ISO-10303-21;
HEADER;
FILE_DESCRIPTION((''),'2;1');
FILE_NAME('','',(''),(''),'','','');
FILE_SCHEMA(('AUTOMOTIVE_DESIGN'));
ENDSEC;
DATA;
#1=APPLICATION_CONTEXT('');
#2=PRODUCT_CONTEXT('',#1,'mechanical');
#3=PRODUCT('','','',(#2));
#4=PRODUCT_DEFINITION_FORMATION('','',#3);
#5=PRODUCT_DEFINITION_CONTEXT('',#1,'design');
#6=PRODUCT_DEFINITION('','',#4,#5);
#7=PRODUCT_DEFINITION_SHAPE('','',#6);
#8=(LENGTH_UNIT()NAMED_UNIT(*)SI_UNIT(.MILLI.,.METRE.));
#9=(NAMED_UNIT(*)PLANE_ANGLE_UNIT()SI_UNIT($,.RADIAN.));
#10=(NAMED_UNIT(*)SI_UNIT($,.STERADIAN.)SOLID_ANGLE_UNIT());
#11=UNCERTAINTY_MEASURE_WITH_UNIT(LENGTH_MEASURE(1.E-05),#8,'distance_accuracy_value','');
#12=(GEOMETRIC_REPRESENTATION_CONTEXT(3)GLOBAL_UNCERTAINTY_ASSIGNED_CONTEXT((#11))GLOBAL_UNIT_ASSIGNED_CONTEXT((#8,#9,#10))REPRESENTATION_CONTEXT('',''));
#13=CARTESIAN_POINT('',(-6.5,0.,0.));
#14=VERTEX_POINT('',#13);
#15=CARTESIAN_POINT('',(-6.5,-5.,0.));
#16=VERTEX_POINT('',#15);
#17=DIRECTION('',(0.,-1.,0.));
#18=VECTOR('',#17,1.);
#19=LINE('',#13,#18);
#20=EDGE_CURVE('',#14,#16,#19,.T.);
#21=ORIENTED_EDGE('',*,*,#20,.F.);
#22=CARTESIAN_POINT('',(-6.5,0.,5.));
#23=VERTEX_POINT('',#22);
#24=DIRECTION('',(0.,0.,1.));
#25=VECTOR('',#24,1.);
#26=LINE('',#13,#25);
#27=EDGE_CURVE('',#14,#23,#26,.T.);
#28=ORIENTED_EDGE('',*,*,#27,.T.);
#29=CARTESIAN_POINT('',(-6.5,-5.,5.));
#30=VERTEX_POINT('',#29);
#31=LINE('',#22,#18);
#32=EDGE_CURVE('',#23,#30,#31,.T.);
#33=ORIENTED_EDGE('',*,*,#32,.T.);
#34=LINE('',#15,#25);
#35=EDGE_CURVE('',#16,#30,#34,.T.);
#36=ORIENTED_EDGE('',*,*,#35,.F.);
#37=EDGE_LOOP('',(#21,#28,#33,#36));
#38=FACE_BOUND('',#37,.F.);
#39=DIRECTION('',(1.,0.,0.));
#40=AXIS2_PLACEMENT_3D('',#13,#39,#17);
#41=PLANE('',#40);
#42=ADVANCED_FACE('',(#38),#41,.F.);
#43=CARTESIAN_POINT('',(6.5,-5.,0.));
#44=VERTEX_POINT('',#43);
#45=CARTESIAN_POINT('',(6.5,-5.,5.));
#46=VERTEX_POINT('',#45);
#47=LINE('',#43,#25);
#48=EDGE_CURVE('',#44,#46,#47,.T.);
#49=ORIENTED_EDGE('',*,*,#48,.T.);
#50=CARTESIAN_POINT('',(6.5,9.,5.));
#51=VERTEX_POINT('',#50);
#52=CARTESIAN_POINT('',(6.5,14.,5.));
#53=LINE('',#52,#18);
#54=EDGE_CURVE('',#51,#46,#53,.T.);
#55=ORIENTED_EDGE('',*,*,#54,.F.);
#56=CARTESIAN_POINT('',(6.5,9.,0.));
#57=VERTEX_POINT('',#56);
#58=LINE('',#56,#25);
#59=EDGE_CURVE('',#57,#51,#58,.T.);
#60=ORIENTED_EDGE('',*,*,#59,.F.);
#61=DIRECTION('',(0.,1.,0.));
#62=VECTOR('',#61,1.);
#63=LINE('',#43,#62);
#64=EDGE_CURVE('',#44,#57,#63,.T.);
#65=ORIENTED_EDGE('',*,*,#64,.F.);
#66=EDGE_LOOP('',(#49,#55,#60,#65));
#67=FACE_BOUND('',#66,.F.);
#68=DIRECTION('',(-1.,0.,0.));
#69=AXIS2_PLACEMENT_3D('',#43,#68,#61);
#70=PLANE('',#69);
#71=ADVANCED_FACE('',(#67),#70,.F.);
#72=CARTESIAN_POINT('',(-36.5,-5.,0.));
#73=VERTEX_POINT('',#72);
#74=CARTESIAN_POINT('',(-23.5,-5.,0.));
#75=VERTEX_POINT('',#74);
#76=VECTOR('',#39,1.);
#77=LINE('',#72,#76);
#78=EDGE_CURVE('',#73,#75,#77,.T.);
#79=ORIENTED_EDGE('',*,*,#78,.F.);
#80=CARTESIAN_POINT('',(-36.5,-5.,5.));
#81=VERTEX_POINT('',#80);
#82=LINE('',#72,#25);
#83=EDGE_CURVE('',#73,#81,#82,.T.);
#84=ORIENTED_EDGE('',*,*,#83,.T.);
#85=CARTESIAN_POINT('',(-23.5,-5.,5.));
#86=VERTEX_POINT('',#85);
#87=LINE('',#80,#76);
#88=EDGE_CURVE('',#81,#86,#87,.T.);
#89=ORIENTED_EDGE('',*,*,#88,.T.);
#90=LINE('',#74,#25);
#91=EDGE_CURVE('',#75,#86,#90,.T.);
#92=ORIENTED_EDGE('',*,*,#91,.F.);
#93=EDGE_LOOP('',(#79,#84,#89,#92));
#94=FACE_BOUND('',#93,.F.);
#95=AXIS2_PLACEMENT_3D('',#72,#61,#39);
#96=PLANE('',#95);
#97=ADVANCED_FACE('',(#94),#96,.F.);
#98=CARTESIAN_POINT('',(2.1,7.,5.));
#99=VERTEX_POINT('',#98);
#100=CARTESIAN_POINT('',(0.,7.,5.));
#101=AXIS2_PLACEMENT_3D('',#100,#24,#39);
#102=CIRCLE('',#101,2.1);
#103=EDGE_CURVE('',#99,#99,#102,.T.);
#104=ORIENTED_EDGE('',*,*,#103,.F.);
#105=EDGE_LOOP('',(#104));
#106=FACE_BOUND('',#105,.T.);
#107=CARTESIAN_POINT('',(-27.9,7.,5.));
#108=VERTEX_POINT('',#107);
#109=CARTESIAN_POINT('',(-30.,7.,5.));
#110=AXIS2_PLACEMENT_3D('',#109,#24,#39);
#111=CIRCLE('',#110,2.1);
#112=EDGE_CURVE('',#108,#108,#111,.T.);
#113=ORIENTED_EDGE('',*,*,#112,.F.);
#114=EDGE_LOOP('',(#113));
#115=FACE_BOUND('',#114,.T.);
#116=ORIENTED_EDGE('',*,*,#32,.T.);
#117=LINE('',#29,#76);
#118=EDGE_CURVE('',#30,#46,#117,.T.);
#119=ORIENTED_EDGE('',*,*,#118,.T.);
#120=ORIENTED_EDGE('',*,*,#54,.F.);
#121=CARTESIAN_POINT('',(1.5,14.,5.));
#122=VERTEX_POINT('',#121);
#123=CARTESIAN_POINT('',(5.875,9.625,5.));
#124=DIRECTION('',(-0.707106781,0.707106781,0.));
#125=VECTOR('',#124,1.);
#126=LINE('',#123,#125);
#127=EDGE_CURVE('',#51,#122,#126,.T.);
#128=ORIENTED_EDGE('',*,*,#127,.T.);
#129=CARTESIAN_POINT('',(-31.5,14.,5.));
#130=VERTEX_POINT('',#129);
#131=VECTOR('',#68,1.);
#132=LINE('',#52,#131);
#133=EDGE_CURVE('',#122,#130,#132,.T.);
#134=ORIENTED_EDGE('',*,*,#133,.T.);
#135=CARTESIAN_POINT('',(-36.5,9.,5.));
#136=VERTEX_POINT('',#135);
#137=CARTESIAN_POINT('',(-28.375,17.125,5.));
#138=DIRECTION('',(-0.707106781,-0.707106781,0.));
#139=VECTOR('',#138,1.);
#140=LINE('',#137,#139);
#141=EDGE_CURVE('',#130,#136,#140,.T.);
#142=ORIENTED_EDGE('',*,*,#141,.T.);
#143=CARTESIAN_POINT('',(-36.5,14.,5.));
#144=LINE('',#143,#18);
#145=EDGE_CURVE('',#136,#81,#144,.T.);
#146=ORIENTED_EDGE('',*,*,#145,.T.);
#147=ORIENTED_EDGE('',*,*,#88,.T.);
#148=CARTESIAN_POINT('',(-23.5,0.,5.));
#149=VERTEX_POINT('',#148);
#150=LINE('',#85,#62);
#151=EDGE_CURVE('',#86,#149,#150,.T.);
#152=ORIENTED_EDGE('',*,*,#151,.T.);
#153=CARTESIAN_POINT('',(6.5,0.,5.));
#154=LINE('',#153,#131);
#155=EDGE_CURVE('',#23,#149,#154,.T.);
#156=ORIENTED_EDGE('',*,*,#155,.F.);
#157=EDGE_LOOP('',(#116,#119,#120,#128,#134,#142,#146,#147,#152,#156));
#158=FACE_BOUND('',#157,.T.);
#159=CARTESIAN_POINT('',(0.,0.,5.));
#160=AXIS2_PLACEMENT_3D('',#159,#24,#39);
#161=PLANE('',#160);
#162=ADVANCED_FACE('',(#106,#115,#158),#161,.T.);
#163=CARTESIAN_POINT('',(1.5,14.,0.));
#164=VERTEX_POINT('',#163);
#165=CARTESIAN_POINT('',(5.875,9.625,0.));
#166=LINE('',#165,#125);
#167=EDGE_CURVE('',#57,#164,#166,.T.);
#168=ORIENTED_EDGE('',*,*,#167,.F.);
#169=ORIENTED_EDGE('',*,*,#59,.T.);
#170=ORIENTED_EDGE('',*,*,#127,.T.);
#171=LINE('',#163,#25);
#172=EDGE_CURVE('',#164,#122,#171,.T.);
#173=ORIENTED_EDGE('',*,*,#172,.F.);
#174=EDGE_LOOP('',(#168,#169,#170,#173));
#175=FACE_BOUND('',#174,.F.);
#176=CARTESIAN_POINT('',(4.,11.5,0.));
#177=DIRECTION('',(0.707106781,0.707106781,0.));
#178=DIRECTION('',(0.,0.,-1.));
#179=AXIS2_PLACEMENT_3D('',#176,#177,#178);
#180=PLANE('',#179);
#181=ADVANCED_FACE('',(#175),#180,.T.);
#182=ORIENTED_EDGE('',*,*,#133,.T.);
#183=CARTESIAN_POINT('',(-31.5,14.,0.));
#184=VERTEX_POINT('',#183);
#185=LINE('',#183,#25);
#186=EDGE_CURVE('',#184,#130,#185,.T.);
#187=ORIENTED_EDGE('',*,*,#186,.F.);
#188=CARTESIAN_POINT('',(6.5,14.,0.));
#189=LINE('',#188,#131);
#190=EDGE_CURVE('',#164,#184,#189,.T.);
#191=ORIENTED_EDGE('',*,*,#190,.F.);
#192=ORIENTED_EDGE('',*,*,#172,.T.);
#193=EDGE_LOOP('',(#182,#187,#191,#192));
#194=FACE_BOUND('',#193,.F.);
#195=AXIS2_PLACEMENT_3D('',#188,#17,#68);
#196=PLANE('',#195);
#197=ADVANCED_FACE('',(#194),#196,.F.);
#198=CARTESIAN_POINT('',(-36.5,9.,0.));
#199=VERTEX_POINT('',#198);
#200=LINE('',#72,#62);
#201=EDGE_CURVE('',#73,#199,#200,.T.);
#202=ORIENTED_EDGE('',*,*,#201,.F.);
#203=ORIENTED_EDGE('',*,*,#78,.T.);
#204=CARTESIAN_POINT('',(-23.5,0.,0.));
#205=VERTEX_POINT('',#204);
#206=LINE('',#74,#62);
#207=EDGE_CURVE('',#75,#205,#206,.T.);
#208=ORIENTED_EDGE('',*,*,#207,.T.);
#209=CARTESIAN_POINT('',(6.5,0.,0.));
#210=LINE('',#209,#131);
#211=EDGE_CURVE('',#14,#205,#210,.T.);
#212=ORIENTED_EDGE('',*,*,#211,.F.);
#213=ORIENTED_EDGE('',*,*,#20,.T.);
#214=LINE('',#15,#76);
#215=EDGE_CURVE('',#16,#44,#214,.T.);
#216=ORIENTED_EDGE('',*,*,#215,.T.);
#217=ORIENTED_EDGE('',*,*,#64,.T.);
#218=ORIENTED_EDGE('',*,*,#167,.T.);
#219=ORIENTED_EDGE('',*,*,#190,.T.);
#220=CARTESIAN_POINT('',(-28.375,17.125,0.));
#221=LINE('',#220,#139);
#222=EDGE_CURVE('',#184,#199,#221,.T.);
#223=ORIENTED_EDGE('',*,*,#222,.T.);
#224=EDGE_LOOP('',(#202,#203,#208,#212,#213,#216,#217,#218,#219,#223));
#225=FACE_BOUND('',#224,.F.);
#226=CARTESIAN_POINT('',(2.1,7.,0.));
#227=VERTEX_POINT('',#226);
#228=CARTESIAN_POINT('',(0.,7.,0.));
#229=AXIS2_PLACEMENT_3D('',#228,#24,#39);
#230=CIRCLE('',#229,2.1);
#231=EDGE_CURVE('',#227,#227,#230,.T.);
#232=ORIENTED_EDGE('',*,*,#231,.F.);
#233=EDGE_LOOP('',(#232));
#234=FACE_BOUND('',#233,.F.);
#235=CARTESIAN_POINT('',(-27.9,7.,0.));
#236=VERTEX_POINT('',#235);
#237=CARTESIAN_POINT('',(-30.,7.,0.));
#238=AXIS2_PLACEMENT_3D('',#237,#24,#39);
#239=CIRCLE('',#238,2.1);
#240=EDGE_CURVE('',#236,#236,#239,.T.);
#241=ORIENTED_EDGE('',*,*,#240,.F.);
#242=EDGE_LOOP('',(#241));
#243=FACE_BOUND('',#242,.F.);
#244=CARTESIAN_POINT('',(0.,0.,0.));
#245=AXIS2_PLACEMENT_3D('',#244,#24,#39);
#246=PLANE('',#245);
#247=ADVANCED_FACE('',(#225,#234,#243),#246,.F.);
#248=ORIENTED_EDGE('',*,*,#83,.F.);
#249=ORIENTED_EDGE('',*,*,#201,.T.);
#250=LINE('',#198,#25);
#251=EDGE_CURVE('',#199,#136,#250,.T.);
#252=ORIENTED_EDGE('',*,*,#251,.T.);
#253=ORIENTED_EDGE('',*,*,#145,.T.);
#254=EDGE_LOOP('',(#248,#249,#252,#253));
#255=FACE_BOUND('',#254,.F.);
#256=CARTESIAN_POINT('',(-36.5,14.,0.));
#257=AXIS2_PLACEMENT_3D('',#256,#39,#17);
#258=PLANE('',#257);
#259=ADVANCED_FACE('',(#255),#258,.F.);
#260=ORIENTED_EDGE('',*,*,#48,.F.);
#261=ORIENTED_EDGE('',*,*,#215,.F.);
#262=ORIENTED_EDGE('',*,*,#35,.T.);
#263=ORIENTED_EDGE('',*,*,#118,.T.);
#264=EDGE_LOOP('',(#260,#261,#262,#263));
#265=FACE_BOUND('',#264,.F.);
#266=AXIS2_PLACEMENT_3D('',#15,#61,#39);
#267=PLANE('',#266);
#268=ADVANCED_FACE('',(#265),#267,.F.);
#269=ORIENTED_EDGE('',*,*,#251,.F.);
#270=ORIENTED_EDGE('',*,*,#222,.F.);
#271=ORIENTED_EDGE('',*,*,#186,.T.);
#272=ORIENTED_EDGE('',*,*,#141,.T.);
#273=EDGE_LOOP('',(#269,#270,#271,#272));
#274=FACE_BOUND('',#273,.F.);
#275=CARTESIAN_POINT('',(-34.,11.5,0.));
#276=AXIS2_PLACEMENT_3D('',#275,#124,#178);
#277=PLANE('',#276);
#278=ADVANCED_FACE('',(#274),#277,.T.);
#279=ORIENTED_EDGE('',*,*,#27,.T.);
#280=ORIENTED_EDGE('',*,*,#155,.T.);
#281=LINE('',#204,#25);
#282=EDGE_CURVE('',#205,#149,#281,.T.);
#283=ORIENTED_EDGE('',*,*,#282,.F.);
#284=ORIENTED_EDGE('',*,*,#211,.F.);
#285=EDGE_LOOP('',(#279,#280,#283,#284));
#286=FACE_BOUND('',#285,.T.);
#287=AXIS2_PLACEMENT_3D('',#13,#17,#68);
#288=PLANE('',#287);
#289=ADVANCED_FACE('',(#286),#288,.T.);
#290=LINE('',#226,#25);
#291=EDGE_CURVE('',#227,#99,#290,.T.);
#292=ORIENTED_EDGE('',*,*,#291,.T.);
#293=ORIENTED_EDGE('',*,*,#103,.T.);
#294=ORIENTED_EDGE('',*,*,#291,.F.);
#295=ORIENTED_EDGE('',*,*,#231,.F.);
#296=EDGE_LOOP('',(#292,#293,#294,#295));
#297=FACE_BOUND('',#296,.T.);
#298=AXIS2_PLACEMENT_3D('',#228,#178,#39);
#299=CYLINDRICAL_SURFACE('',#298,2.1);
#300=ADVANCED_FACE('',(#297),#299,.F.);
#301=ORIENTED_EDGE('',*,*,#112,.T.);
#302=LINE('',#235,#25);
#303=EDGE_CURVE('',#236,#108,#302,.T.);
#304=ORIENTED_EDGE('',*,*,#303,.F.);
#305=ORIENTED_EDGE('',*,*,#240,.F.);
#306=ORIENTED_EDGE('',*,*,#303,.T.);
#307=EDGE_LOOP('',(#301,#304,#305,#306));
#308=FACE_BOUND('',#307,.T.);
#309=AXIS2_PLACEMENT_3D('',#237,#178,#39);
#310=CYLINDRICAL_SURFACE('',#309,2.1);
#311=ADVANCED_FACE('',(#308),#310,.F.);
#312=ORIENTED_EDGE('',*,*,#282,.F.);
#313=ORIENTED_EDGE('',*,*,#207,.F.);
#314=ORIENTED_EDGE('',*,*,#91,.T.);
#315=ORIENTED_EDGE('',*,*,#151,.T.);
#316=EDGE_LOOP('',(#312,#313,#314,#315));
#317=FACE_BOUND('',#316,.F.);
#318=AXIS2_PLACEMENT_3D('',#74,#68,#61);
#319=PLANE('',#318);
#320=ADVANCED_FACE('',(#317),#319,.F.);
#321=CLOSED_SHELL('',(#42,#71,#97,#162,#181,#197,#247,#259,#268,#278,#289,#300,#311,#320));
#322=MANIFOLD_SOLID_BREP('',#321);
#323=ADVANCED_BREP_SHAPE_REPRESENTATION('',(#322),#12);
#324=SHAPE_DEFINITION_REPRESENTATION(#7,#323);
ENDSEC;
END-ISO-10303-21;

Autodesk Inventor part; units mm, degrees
ref_plane "YZ Plane" through (0, 0, 0) normal (1, 0, 0) x (0, 1, 0)
ref_plane "XZ Plane" through (0, 0, 0) normal (0, 1, 0) x (-1, 0, 0)
ref_plane "XY Plane" through (0, 0, 0) normal (0, 0, 1) x (1, 0, 0)
sketch "Sketch1" plane through (0, 0, 0) normal (0, 0, 1) x (1, 0, 0)
  line L0 (6.5, 0) -> (-36.5, 0)
  line L1 (0, 14) -> (0, 0) construction
  circle A0 centre (0, 7) radius 2.1
  line L2 (-6.5, -5) -> (6.5, -5)
  line L3 (6.5, -5) -> (6.5, 14)
  line L4 (6.5, 0) -> (-6.5, 0)
  line L5 (-6.5, 0) -> (-6.5, -5)
  line L6 (-6.5, -5) -> (6.5, 0) construction
  line L7 (6.5, -5) -> (-6.5, 0) construction
  circle A1 centre (-30, 7) radius 2.1
  line L8 (-30, 14) -> (-30, 0) construction
  line L9 (6.5, 14) -> (-36.5, 14)
  line L10 (-36.5, -5) -> (-23.5, -5)
  line L11 (-23.5, -5) -> (-23.5, 0)
  line L12 (-23.5, 0) -> (-36.5, 0)
  line L13 (-36.5, 14) -> (-36.5, -5)
  line L14 (-36.5, -5) -> (-23.5, 0) construction
  line L15 (-23.5, -5) -> (-36.5, 0) construction
  line L16 (-15, 14) -> (-15, 0) construction
  point P0 (0, -2.5)
  point P1 (-6.5, 0)
  point P2 (-30, -2.5)
  point P3 (-23.5, 0)
  point P4 (-36.5, 0)
  point P5 (-30, 7)
  point P6 (-23.5, 0)
  point P7 (-6.5, 0)
  dimension "d1" = 4.2
  dimension "d4" = 7
  dimension "d5" = 5
  dimension "d6" = 13
  dimension "d8" = 4.2
  dimension "d11" = 5
  dimension "d12" = 13
  dimension "d15" = 30
extrude "Extrusion1" add sketch "Sketch1" along normal blind 5
chamfer "Chamfer1" distance 5 angle 45 2 edges at (6.5, 14, 2.5) (-36.5, 14, 2.5)
equation "\"d8\" = d1"
equation "\"d11\" = d5"
equation "\"d12\" = d6"
properties part number "bed-hinge"
